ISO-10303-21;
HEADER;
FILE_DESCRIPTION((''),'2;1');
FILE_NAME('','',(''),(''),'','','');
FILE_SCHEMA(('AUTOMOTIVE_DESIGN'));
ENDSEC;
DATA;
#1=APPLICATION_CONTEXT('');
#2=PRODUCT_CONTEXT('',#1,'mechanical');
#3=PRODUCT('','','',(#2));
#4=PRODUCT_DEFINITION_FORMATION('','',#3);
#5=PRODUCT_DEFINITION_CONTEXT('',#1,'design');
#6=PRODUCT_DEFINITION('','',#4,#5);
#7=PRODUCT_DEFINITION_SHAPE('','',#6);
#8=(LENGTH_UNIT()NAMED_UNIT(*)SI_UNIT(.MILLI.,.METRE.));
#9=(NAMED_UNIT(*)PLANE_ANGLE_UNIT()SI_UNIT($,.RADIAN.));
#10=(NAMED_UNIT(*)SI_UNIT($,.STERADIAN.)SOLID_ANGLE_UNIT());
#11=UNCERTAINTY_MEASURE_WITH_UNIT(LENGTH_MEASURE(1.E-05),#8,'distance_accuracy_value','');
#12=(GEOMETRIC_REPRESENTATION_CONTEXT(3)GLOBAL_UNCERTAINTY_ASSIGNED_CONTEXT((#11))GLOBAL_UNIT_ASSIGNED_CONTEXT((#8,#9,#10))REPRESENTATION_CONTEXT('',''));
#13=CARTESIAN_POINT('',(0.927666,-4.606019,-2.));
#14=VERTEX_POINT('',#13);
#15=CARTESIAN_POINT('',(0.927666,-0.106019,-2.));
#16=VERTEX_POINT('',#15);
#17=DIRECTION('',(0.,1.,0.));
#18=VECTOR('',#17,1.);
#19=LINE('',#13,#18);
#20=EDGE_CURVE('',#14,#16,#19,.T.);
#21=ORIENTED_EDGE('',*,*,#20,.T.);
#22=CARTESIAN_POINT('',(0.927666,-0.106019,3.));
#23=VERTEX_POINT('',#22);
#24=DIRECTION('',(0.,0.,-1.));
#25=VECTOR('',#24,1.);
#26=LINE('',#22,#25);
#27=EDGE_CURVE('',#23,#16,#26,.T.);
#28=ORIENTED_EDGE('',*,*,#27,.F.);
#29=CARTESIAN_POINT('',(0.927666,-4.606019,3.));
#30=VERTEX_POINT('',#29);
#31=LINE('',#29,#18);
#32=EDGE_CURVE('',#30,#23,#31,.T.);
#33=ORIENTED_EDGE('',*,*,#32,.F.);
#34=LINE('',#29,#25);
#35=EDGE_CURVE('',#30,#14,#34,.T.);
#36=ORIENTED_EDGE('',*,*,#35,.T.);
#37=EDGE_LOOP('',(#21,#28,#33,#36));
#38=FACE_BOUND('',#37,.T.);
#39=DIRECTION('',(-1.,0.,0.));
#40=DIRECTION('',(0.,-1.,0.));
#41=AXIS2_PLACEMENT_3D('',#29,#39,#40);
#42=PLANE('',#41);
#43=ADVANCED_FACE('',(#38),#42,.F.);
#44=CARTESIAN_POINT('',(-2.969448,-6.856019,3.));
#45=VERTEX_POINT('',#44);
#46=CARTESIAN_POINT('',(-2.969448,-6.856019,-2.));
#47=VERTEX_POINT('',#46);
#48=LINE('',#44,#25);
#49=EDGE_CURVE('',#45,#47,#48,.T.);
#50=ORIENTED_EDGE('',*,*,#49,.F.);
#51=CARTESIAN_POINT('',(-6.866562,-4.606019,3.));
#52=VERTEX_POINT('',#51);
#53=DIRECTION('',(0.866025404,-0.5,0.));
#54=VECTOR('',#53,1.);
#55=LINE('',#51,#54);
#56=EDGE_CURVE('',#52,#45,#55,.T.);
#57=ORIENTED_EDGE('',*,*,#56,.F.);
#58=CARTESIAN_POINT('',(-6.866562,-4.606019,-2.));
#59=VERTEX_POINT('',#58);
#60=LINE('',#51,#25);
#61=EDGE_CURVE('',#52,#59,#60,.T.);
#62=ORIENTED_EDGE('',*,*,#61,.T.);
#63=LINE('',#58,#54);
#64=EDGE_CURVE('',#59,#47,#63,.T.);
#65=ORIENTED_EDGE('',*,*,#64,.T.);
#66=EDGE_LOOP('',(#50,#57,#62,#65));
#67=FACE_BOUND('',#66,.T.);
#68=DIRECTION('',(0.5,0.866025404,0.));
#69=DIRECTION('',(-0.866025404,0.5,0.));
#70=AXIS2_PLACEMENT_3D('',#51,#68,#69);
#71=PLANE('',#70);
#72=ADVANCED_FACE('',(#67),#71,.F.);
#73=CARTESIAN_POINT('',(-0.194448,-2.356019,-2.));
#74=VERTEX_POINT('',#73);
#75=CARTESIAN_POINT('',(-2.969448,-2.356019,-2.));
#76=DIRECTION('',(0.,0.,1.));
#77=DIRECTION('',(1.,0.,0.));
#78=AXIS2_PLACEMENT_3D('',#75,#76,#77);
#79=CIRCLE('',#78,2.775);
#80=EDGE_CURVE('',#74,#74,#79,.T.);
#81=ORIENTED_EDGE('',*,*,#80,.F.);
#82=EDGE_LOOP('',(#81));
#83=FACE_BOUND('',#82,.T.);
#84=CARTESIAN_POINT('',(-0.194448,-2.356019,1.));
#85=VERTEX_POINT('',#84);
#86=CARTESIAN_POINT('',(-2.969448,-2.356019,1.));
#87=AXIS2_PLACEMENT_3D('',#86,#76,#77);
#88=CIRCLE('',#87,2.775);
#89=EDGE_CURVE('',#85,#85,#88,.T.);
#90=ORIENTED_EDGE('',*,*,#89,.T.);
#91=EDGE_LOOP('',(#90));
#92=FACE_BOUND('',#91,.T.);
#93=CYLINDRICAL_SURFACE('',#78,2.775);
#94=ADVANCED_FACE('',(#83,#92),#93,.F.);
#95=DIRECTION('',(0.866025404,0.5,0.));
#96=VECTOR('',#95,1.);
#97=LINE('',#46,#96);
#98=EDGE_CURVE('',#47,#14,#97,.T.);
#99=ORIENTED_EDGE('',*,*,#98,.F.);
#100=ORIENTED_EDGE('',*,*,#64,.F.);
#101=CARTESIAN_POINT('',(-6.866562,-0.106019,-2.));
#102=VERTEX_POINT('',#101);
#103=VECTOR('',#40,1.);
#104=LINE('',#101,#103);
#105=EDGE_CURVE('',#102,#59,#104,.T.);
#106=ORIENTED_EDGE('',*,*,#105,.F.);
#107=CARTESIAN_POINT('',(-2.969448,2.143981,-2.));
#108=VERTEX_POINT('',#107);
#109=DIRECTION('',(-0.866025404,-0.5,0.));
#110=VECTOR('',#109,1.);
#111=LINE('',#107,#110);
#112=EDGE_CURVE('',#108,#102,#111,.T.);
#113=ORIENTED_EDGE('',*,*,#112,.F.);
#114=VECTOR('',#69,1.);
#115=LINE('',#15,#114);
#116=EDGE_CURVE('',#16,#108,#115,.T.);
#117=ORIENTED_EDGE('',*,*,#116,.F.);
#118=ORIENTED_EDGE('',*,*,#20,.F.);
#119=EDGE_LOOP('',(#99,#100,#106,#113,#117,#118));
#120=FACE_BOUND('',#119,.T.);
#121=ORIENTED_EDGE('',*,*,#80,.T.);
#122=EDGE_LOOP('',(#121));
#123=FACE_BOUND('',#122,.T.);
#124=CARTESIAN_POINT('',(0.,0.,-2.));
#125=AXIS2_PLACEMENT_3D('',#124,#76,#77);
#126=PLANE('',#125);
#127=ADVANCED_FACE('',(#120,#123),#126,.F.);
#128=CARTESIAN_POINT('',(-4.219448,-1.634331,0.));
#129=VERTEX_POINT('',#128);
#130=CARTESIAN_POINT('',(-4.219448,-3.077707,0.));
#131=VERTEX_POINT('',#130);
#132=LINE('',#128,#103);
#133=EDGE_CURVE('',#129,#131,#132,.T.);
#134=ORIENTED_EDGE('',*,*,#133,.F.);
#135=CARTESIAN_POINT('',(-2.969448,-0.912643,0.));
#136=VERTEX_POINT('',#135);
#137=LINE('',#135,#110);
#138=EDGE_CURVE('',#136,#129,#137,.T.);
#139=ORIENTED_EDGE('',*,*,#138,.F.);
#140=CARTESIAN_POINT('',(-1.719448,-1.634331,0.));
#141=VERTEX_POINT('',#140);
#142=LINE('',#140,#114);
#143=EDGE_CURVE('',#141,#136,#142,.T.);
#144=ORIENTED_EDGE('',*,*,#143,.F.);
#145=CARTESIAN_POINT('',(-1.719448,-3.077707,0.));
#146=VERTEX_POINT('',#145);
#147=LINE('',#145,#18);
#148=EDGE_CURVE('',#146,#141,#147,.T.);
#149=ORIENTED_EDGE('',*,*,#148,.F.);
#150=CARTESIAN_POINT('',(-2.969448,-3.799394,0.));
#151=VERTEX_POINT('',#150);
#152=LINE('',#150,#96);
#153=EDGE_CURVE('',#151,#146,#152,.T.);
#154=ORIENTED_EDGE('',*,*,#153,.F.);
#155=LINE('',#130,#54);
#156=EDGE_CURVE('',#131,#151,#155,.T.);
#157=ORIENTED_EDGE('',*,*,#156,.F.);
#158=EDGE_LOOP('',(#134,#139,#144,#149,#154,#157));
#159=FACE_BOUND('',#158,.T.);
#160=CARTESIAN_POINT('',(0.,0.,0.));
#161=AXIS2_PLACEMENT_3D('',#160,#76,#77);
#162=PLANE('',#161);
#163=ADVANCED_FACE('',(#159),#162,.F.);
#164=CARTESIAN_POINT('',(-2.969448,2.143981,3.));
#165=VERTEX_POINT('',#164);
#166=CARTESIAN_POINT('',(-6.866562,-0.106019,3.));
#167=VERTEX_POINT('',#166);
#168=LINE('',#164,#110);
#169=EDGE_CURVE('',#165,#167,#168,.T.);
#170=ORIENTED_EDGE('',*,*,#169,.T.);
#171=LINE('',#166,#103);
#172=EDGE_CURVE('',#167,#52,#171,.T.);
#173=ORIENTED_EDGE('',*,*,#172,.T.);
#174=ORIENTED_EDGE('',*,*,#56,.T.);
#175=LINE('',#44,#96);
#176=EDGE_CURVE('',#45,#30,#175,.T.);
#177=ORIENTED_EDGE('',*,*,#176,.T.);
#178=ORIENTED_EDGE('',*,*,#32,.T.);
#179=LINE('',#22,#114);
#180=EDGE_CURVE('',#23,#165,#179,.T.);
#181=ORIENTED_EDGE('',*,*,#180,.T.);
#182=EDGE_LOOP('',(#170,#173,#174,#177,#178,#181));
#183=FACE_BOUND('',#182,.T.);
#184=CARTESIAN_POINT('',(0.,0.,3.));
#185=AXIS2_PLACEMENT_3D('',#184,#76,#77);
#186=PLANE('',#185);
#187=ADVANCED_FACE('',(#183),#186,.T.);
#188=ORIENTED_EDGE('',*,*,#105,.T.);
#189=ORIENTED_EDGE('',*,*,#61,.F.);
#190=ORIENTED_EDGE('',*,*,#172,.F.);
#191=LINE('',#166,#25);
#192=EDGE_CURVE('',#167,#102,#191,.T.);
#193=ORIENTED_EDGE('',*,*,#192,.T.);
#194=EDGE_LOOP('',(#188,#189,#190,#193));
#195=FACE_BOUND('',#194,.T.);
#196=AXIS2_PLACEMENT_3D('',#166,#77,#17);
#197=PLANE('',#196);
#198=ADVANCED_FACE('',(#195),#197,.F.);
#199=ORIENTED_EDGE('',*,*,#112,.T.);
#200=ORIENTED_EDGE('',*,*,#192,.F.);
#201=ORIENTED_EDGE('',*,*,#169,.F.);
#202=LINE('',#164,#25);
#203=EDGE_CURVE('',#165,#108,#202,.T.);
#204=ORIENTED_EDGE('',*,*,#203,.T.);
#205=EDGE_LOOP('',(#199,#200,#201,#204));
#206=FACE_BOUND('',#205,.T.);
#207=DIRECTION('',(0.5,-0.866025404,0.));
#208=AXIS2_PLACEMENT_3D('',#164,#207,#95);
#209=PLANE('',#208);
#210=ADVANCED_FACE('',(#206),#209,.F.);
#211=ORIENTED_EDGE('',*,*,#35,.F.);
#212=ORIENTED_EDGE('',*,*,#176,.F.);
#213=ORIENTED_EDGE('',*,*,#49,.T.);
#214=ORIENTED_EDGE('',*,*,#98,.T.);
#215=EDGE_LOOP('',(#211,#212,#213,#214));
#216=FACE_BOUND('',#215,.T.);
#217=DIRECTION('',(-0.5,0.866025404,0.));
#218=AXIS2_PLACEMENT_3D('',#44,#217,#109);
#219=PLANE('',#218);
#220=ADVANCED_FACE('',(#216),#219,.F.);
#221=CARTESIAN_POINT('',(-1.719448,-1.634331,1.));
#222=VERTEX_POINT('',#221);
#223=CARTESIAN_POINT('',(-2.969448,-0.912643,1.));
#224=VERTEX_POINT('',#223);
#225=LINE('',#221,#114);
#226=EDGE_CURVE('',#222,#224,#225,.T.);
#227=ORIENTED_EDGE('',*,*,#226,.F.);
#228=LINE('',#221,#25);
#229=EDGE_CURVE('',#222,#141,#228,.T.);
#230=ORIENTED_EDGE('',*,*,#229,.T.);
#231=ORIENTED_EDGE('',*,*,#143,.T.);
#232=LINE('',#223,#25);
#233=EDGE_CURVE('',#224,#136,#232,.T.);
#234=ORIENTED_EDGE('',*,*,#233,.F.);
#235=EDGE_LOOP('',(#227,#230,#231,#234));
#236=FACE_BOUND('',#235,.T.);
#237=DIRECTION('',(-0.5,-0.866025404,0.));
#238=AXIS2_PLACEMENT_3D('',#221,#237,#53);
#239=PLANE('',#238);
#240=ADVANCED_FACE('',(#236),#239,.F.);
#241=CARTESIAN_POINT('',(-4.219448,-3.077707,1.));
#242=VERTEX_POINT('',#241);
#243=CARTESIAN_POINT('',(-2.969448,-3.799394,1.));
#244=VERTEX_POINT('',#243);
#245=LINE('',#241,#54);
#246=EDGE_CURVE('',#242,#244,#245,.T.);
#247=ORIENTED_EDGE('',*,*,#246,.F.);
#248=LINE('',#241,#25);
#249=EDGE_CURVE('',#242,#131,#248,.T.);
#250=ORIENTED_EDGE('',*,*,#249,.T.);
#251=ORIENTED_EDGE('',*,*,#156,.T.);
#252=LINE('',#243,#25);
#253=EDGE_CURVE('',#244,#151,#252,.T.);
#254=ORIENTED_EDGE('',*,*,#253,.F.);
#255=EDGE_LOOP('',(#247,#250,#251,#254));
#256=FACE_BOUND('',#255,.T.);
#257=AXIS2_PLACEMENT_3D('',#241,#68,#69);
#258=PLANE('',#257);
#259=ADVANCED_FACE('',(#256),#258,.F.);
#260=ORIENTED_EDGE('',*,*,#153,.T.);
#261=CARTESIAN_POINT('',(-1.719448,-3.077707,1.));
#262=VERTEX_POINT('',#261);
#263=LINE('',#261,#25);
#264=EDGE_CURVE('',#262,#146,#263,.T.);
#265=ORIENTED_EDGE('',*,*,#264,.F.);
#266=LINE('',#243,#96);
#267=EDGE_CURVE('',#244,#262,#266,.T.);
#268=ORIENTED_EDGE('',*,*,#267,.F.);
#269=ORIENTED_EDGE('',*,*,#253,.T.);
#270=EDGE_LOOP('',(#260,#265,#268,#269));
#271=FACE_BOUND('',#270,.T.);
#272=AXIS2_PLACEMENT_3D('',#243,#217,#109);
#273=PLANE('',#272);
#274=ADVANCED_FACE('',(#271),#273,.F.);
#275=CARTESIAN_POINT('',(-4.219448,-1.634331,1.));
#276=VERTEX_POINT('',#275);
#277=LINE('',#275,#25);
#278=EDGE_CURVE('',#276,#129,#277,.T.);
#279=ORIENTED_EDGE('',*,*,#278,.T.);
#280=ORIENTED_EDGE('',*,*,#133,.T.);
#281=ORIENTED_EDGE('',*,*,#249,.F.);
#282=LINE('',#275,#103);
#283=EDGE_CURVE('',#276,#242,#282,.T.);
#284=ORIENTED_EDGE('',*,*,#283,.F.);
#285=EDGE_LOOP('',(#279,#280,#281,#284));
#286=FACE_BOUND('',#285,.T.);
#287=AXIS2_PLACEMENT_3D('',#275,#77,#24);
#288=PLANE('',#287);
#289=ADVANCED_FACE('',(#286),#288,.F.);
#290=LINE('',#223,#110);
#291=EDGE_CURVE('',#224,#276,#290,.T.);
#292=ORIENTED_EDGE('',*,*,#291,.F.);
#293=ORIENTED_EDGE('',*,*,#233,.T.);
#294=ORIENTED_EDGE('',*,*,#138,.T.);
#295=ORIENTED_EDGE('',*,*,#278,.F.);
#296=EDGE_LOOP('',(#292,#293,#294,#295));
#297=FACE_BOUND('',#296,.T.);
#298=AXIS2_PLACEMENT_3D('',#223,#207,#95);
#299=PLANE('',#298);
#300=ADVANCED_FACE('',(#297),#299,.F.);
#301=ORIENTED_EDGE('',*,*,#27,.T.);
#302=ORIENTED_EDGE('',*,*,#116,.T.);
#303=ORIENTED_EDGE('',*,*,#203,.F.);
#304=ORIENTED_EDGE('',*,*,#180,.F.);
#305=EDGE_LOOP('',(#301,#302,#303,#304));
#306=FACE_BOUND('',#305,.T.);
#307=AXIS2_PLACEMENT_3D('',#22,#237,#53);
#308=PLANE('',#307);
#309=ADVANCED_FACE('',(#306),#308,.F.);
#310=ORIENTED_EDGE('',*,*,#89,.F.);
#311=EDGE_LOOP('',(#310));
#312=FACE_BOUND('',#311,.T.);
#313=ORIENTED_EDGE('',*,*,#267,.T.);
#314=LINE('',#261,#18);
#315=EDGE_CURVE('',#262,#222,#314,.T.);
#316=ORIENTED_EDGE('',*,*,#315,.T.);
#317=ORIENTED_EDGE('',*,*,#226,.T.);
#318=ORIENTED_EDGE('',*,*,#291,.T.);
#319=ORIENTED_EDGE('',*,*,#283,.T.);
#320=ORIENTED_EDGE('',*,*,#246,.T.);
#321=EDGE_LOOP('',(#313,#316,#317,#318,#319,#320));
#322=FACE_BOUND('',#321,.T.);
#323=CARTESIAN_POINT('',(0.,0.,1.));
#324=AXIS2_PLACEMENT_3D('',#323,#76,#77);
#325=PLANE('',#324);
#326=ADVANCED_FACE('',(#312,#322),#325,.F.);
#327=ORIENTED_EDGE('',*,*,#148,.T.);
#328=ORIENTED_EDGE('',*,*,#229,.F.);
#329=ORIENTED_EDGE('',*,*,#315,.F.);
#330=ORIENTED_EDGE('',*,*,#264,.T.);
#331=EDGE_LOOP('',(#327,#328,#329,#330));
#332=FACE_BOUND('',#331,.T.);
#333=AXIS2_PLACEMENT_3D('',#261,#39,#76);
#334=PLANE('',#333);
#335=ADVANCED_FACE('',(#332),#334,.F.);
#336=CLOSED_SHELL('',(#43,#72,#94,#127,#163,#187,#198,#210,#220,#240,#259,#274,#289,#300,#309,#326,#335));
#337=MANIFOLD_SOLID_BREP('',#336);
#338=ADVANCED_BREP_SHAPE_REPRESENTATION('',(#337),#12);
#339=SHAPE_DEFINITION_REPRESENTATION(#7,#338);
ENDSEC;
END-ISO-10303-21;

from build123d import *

# Parameters (mm, degrees)
BOSS_EXTRUDE1_DEPTH = 1
SKETCH2_R           = 2.775
BOSS_EXTRUDE2_DEPTH = 3
BOSS_EXTRUDE3_DEPTH = 2


with BuildPart() as part:
    # Sketch1 → Boss-Extrude1 (new body)
    with BuildSketch(Plane.XY):
        Polygon((-1.71944816, -3.077706513), (-1.71944816, -1.63433084), (-2.96944816, -0.912643004), (-4.21944816, -1.63433084), (-4.21944816, -3.077706513), (-2.96944816, -3.79939435), align=None)
    extrude(amount=BOSS_EXTRUDE1_DEPTH)



with BuildPart() as body_2:
    # Sketch2 → Boss-Extrude2 (new body)
    with BuildSketch(Plane.XY.offset(1)):
        Polygon((-2.96944816, -6.856018677), (0.927666157, -4.606018677), (0.927666157, -0.106018677), (-2.96944816, 2.143981323), (-6.866562477, -0.106018677), (-6.866562477, -4.606018677), align=None)
        with Locations((-2.96944816, -2.356018677)):
            Circle(SKETCH2_R, mode=Mode.SUBTRACT)
    extrude(amount=-BOSS_EXTRUDE2_DEPTH)


with BuildPart() as part_1:
    add(part.part)

    add(body_2.part)  # Boss-Extrude3 merges body 2
    # Sketch3 → Boss-Extrude3 (add)
    with BuildSketch(Plane.XY.offset(1)):
        Polygon((-2.96944816, -6.856018677), (0.927666157, -4.606018677), (0.927666157, -0.106018677), (-2.96944816, 2.143981323), (-6.866562477, -0.106018677), (-6.866562477, -4.606018677), align=None)
    extrude(amount=BOSS_EXTRUDE3_DEPTH)


solid = part_1.part
